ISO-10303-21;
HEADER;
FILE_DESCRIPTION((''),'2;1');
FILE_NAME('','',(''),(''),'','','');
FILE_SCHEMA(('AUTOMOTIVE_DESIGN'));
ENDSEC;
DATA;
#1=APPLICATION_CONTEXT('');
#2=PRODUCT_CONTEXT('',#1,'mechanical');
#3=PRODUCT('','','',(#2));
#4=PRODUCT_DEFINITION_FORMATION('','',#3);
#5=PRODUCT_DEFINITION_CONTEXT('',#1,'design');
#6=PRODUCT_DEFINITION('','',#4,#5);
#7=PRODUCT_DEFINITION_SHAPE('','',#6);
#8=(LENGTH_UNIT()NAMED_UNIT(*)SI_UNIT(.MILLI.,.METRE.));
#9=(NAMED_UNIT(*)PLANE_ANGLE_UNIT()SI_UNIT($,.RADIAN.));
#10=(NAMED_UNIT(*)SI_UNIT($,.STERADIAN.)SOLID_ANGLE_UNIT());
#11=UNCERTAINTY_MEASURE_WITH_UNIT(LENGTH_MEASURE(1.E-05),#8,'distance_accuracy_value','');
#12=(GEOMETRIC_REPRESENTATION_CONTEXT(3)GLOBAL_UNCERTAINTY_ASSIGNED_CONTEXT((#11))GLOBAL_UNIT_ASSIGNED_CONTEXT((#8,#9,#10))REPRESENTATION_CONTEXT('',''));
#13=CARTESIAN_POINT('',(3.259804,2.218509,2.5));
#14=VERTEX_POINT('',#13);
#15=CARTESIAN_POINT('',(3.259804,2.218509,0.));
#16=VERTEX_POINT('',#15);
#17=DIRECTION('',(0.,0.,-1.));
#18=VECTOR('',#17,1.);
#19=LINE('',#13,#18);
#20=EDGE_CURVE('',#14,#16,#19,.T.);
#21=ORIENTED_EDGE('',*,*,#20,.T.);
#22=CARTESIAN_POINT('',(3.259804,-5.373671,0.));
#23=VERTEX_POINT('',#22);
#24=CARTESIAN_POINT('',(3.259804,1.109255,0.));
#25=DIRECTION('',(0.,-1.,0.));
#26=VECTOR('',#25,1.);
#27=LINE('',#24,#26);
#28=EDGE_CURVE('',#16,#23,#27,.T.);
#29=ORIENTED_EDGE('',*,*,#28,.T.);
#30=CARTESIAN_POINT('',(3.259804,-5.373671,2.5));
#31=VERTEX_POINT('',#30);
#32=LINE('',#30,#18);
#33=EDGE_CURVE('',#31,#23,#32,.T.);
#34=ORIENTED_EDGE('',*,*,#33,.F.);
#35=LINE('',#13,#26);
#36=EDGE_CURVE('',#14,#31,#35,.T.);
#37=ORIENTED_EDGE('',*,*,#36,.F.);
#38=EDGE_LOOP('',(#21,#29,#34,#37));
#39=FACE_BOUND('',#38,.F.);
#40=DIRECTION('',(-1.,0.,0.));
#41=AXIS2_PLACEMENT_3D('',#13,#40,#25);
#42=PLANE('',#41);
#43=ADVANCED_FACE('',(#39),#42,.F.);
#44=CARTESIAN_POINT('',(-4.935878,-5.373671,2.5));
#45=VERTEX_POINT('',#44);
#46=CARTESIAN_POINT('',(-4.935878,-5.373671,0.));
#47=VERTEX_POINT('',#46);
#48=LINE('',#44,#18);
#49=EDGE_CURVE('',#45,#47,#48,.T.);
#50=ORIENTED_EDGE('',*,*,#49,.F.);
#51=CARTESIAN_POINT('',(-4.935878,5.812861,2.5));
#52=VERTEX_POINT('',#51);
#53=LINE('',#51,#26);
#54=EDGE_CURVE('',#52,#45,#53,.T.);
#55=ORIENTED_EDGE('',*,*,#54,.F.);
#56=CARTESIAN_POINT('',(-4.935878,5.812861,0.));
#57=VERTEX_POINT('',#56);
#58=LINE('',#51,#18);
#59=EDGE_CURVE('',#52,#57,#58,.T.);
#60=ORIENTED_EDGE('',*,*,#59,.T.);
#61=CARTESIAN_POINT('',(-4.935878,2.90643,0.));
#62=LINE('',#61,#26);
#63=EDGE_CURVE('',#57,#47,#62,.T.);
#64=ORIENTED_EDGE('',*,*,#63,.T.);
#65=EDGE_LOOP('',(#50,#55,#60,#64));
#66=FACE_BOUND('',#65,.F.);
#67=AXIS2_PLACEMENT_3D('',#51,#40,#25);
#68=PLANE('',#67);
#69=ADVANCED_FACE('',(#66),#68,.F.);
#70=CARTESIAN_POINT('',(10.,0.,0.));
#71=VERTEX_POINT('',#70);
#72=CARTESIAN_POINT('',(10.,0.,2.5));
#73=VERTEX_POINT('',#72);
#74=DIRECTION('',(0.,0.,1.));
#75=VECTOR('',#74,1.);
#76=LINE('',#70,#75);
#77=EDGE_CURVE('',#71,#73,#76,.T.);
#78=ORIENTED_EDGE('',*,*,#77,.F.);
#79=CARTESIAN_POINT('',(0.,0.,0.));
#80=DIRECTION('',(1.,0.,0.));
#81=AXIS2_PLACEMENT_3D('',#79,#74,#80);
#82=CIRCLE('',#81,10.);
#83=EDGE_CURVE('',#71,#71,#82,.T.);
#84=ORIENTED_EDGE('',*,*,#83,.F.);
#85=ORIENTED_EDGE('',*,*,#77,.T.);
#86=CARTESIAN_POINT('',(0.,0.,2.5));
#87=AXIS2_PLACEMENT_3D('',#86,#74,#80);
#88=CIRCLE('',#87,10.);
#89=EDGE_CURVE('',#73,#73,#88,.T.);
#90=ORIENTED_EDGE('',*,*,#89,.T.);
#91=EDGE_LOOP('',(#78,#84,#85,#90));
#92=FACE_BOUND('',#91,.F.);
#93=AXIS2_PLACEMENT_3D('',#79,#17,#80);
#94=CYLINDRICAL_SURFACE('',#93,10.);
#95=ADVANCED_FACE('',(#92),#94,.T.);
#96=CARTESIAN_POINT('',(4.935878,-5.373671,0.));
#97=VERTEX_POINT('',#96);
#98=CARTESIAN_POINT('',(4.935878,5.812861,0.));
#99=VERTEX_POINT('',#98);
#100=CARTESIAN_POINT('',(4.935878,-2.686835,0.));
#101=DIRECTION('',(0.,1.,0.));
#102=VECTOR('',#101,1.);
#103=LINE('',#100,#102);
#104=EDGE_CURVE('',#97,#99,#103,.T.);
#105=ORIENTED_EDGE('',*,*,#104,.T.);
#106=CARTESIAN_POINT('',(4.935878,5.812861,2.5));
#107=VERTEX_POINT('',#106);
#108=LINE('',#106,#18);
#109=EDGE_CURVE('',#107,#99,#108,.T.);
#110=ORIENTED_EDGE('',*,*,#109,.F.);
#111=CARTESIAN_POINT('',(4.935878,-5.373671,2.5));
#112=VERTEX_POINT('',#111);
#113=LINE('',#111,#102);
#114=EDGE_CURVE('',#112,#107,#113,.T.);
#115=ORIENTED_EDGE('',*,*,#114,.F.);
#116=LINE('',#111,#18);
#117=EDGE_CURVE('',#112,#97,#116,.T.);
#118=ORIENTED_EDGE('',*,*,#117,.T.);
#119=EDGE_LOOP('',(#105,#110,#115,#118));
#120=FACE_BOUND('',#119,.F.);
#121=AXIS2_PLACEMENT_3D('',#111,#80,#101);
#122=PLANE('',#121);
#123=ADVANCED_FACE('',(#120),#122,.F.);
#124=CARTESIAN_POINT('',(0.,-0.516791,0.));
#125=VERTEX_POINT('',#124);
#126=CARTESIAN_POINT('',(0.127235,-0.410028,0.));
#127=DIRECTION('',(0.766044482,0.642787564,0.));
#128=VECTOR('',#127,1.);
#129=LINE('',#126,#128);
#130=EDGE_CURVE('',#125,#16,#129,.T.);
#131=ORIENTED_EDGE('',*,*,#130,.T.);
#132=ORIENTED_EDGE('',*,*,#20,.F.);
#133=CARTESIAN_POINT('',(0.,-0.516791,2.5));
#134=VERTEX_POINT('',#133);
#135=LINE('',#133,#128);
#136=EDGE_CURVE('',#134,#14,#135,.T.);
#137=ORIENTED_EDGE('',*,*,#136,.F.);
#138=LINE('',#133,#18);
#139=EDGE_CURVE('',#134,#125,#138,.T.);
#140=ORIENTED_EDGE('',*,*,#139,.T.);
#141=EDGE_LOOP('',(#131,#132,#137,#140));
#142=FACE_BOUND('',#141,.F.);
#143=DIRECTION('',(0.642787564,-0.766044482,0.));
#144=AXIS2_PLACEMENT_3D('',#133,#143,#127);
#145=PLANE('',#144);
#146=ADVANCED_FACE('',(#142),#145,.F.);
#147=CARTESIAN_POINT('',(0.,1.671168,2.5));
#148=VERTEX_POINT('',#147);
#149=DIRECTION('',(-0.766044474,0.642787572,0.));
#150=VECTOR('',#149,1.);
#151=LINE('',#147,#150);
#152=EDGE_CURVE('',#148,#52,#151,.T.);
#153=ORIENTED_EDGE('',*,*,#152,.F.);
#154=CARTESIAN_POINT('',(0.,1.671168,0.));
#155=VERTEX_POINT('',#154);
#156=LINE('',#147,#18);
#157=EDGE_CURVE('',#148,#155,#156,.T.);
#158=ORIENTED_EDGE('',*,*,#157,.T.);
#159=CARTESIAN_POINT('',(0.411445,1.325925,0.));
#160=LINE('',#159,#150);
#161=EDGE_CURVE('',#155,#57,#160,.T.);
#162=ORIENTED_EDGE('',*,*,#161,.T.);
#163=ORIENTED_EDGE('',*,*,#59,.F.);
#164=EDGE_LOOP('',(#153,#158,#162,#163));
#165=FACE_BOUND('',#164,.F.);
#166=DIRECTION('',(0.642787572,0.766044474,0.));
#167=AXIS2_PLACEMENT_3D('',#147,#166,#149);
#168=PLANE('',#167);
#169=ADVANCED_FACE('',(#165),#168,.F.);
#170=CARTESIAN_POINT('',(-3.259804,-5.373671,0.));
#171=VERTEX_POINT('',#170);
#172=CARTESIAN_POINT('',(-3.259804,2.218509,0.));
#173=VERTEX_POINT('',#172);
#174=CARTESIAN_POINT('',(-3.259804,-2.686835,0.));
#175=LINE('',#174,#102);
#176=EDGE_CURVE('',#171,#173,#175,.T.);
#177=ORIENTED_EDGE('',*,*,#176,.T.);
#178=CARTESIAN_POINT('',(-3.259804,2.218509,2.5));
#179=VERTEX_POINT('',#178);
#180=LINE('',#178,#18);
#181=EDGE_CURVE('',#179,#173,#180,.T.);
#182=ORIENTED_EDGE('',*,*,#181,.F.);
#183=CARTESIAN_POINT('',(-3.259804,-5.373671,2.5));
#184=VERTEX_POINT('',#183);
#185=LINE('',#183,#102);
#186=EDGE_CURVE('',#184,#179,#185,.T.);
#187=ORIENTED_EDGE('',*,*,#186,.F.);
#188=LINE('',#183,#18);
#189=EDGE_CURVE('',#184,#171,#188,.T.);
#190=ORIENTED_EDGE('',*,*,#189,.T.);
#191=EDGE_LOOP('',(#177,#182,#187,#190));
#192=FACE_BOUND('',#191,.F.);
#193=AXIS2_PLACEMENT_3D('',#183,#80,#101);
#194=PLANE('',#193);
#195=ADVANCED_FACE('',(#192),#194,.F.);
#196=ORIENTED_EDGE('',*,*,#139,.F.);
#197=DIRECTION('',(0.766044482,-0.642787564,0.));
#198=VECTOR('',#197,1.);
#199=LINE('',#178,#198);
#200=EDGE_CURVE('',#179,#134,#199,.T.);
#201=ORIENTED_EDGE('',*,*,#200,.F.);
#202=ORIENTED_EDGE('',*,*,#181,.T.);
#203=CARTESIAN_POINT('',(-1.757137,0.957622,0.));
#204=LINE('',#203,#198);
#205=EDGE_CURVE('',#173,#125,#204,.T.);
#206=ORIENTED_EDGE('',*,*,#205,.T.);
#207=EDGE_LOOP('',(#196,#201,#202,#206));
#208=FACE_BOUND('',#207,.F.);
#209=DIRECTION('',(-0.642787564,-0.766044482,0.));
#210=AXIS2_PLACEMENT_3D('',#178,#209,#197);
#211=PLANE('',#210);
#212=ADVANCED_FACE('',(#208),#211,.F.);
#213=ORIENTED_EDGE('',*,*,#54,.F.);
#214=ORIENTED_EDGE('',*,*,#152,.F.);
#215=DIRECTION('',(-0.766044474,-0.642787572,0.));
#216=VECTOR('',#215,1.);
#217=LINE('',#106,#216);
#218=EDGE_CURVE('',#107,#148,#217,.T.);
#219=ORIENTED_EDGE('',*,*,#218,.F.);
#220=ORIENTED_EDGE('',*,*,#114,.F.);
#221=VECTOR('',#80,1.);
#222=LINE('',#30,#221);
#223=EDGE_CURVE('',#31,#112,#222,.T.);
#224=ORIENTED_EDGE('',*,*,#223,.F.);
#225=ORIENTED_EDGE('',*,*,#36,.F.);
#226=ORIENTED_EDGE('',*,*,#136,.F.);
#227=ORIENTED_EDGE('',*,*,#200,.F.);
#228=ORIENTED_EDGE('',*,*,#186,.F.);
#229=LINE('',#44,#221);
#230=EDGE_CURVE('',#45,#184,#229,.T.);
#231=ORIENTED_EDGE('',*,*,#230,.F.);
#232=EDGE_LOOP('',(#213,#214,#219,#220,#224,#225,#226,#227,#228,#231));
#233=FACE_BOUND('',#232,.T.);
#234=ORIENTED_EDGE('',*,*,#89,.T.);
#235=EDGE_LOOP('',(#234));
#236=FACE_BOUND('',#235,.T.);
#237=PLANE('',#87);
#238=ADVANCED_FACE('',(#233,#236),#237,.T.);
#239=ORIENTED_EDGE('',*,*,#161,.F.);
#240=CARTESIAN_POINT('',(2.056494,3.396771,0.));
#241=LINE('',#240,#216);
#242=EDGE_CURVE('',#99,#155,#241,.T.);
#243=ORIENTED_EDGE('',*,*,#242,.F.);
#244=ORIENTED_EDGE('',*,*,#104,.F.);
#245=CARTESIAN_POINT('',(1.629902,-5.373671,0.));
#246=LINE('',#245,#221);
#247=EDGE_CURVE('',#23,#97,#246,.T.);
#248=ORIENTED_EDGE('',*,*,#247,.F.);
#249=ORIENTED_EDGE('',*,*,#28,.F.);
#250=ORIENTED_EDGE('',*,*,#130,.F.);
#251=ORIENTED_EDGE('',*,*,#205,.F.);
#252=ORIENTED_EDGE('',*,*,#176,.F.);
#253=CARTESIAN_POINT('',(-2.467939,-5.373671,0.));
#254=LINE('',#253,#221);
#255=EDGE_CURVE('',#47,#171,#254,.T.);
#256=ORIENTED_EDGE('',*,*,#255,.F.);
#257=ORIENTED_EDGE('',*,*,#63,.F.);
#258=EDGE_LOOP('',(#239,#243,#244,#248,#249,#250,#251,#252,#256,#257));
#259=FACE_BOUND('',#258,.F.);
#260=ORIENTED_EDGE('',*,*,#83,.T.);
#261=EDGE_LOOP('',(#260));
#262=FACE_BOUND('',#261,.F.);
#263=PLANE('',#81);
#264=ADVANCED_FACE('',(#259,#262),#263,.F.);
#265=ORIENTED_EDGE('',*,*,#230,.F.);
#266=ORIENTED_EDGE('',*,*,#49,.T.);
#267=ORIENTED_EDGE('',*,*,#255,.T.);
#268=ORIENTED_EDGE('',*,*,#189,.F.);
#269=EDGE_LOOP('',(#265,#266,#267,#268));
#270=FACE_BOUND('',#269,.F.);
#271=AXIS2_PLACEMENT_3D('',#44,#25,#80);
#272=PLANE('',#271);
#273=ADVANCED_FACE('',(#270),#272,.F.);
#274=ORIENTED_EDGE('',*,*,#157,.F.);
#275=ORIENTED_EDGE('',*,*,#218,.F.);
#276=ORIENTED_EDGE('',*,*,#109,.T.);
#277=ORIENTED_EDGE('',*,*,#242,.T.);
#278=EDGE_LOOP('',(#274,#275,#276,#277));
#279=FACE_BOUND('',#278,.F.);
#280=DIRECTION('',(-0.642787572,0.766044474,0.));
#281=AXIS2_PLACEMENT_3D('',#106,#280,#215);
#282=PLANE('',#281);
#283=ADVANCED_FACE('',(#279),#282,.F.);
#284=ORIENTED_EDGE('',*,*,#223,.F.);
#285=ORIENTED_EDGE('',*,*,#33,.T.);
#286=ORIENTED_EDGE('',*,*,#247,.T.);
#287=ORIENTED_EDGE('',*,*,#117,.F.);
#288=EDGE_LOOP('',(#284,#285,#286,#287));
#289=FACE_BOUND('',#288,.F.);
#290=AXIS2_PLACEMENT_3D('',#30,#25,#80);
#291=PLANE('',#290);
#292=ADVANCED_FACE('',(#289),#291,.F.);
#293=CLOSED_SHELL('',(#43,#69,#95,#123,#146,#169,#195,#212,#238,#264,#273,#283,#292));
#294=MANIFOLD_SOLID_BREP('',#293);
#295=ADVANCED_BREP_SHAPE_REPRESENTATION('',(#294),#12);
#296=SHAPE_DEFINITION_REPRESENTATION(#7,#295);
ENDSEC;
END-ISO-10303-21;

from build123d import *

# Parameters (mm, degrees)
F0_R     = 10
F1_DEPTH = 2.5
F3_DEPTH = 2.501


with BuildPart() as f1:
    # F0 (on Top) → F1 (new body)
    with BuildSketch(Plane.XY):
        Circle(F0_R)
    extrude(amount=F1_DEPTH)

    # F2 (on face) → F3 (cut, through all)
    with BuildSketch(Plane.XY.offset(2.5)):
        Polygon((4.935878, 5.812861), (0, 1.671168), (-4.935878, 5.812861), (-4.935878, -5.373671), (-3.259804, -5.373671), (-3.259804, 2.218509), (0, -0.516791), (3.259804, 2.218509), (3.259804, -5.373671), (4.935878, -5.373671), align=None)
    extrude(amount=-F3_DEPTH, mode=Mode.SUBTRACT)


solid = f1.part
